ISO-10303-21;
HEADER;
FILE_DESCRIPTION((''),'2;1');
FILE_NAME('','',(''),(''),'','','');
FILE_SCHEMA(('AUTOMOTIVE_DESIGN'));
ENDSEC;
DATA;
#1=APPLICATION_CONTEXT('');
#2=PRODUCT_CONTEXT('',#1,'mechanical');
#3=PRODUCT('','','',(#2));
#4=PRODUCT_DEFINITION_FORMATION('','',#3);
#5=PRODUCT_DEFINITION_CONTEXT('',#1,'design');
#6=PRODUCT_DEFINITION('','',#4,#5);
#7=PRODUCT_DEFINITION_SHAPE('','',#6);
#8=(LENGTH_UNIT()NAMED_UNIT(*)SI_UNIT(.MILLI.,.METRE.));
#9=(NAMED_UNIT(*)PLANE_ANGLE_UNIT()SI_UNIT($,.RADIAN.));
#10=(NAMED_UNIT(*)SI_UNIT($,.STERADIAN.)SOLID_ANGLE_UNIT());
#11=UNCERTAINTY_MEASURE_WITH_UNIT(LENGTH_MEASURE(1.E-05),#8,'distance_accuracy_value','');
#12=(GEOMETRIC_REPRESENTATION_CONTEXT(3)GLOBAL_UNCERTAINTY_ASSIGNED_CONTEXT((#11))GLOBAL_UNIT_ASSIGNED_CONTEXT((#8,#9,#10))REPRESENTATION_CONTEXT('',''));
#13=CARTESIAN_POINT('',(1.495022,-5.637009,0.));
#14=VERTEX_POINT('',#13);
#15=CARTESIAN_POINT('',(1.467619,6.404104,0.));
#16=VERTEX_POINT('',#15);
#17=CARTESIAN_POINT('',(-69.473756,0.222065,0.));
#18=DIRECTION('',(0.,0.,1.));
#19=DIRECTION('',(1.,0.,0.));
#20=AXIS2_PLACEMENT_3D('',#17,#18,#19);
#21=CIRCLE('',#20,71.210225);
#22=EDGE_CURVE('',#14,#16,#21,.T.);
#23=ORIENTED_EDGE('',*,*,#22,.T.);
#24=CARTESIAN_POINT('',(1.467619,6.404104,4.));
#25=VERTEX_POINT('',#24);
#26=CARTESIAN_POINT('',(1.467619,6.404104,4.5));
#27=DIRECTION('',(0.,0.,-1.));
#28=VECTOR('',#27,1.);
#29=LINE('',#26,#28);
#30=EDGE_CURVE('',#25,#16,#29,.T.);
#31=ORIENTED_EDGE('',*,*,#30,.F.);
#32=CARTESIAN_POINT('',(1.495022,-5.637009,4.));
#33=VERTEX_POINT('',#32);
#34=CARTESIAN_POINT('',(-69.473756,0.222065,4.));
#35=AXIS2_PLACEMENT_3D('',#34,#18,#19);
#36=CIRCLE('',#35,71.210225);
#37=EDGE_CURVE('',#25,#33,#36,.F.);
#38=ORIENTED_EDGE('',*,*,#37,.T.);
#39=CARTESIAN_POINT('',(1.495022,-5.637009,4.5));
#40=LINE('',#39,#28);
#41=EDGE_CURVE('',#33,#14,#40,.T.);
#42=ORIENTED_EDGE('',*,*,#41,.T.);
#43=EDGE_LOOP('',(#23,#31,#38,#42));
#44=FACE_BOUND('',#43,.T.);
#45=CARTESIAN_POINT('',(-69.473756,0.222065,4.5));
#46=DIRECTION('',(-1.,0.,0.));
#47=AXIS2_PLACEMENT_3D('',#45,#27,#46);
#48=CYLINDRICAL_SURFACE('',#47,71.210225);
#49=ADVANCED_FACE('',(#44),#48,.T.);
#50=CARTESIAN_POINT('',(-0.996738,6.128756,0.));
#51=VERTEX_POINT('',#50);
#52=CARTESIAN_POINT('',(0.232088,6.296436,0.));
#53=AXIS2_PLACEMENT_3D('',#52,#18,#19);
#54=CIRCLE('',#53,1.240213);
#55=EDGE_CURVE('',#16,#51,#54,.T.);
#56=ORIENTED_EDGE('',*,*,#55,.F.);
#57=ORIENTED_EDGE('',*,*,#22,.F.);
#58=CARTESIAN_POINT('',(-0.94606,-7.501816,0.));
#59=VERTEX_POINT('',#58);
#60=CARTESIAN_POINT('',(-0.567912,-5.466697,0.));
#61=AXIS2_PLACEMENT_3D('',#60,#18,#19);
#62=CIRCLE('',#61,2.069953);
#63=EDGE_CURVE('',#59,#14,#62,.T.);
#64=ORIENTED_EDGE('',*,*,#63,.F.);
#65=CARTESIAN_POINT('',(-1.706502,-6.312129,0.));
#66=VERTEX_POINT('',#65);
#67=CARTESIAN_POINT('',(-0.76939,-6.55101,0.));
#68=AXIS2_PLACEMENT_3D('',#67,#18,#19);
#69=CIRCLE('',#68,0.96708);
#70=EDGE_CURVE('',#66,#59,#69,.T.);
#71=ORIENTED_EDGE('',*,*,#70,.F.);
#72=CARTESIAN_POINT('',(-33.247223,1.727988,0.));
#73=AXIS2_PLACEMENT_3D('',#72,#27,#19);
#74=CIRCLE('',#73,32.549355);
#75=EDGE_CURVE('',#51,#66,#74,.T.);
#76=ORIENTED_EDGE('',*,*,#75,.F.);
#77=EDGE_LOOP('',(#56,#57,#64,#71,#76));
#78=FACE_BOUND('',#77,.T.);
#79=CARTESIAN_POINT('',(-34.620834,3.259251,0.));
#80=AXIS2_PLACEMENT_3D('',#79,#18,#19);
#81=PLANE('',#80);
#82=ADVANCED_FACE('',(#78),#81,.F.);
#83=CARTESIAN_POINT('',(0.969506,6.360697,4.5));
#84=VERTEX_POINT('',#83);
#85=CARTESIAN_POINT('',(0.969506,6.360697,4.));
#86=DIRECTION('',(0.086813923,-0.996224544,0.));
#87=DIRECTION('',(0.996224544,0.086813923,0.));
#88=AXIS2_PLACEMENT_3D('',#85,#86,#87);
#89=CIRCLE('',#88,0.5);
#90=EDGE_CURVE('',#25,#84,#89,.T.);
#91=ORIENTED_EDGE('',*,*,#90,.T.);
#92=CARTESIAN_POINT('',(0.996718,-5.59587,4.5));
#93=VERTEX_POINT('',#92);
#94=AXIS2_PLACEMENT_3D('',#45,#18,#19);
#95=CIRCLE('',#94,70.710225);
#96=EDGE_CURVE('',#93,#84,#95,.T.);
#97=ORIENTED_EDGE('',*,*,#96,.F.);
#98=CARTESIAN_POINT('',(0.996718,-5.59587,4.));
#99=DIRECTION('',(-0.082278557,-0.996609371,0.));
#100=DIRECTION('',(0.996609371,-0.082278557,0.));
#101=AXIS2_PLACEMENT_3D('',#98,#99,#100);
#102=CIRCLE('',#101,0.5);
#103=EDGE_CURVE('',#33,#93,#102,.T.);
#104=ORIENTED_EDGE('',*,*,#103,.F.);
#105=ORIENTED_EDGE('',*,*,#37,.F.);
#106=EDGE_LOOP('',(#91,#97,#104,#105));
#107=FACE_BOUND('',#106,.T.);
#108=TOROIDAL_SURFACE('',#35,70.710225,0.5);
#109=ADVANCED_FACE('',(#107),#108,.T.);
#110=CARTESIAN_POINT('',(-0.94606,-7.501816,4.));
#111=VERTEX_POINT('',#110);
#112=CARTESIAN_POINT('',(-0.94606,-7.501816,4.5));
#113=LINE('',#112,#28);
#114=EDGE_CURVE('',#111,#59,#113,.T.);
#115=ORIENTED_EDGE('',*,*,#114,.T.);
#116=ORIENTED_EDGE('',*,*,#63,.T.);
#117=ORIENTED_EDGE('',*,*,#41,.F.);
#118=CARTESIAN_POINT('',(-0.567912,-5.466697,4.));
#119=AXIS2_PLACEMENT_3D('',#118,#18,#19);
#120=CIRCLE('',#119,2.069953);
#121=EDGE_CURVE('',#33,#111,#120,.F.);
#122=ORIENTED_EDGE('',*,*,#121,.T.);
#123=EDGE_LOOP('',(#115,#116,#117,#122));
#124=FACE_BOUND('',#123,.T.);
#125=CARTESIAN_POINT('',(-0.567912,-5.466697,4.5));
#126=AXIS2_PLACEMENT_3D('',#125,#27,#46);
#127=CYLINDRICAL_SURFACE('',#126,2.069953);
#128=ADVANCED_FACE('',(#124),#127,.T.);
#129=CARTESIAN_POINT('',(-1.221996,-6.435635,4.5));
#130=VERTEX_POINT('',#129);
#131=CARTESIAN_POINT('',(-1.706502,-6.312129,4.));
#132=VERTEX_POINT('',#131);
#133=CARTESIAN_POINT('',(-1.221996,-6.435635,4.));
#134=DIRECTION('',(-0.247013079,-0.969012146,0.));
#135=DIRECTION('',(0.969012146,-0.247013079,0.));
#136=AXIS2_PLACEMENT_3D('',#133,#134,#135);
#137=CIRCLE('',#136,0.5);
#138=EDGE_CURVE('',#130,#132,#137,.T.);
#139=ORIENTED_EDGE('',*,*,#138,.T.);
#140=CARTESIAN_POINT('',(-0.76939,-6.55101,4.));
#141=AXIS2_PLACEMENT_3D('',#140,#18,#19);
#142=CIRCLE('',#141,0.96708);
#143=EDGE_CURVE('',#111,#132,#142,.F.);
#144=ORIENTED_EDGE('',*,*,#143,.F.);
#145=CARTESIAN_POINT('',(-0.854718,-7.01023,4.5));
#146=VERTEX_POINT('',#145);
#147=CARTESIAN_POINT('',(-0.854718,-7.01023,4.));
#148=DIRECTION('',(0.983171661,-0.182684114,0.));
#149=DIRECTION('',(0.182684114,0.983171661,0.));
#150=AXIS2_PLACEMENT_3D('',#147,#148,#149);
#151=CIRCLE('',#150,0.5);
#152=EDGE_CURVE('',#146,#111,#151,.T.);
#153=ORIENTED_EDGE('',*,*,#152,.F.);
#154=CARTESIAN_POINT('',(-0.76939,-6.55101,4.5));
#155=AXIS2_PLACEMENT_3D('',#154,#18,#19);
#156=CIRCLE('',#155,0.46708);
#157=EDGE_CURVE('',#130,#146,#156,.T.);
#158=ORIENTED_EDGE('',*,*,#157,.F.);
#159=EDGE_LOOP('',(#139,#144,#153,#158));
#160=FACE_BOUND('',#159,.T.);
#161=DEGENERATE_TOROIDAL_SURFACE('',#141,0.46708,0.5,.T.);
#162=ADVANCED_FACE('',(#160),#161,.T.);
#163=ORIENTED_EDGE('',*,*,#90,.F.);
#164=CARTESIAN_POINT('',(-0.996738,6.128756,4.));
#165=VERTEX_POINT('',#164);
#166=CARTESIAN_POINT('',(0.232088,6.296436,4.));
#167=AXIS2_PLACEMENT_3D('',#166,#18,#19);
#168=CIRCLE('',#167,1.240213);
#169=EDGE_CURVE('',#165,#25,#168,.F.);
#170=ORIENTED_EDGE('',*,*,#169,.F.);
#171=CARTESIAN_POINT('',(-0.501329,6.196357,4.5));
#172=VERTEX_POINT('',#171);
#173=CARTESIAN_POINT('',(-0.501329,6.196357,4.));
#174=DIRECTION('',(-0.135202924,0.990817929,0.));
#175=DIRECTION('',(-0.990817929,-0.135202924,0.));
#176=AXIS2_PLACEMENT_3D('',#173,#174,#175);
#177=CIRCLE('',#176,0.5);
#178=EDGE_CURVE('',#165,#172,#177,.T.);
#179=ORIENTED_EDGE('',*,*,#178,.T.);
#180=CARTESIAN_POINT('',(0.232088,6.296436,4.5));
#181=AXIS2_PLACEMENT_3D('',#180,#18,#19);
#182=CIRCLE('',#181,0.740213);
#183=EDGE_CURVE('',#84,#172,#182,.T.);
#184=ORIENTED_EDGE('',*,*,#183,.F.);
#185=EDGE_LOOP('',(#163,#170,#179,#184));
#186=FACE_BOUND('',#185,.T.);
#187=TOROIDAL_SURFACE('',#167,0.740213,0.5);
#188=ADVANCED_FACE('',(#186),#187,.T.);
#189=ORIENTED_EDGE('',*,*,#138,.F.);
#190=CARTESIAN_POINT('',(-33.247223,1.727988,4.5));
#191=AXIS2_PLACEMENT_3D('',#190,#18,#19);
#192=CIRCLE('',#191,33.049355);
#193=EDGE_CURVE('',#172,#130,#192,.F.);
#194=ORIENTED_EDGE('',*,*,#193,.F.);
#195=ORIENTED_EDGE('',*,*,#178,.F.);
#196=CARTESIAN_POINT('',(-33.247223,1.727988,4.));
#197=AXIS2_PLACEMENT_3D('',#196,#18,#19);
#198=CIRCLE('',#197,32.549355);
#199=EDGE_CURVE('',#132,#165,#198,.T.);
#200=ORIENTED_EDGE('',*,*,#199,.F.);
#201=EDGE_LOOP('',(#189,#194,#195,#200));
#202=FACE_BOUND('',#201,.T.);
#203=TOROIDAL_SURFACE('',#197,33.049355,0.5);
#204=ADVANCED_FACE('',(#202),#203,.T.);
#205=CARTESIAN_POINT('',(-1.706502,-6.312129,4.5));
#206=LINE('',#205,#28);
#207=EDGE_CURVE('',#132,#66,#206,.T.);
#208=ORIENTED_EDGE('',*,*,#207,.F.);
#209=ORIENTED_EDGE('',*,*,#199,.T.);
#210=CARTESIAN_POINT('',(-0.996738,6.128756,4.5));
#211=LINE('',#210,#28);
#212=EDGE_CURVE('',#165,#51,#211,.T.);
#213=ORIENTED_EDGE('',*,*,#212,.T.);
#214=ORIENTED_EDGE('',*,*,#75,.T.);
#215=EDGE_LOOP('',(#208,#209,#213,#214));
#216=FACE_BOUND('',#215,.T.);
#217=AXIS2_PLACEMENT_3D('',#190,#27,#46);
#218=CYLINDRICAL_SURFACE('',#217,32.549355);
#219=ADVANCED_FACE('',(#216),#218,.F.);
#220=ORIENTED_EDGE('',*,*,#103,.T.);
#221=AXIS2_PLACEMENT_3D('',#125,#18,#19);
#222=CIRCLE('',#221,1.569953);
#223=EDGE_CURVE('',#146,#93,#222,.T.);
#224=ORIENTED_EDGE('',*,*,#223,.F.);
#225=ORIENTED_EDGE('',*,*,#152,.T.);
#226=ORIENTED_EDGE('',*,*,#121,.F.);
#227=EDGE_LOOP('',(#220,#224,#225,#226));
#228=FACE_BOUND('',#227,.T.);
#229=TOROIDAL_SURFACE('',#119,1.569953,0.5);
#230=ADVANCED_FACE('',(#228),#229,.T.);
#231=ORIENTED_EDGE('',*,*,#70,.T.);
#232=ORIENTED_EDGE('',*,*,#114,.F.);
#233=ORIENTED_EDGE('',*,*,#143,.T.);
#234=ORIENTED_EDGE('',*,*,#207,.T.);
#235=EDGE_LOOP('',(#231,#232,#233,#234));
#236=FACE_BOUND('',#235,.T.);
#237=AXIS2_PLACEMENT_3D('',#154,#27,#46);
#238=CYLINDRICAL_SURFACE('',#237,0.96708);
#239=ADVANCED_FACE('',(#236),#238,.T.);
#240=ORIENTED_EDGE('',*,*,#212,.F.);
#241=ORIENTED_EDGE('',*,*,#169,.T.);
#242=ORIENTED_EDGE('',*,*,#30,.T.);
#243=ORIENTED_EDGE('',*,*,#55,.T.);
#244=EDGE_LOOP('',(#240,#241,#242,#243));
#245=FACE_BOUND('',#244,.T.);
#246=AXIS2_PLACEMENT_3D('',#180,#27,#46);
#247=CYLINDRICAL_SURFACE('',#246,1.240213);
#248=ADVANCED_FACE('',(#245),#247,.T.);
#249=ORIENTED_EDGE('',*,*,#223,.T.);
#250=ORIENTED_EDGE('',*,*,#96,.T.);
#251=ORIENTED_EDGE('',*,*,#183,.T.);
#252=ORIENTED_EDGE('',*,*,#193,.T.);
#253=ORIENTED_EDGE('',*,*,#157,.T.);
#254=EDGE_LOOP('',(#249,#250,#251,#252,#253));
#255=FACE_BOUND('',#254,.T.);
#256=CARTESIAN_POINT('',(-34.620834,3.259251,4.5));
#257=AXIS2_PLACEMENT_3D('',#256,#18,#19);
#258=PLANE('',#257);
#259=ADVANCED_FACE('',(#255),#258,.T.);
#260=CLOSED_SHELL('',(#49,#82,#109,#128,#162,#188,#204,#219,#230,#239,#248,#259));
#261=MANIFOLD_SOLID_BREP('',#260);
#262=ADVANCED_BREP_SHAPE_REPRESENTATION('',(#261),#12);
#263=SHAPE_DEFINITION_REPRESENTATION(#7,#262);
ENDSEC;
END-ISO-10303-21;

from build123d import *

# Parameters (mm, degrees)
EXTRUDE1_DEPTH = 4.5
FILLET1_R      = 0.5


with BuildPart() as part:
    # Sketch2 → Extrude1 (new body)
    with BuildSketch(Plane.XY):
        with BuildLine():
            ThreePointArc((1.467618759, 6.404104167), (0.094372819, 7.528980002), (-0.996737871, 6.128755907))
            ThreePointArc((-0.996737871, 6.128755907), (-0.750709422, -0.125968829), (-1.706502063, -6.312128537))
            ThreePointArc((-1.706502063, -6.312128537), (-1.584231252, -7.071852789), (-0.946059773, -7.501815872))
            ThreePointArc((-0.946059773, -7.501815872), (0.688671474, -7.111598822), (1.495022371, -5.637009447))
            ThreePointArc((1.495022371, -5.637009447), (1.73628539, 0.384127619), (1.467618759, 6.404104167))
        make_face()
    extrude(amount=EXTRUDE1_DEPTH)

    # Fillet1
    fillet1_edges = [part.edges().sort_by_distance(p)[0] for p in [
        (-0.750709422, -0.125968829, 4.5),
        (-1.584231252, -7.071852789, 4.5),
        (0.688671474, -7.111598822, 4.5),
        (1.73628539, 0.384127619, 4.5),
        (0.094372819, 7.528980002, 4.5),
    ]]
    fillet(fillet1_edges, radius=FILLET1_R)


solid = part.part
